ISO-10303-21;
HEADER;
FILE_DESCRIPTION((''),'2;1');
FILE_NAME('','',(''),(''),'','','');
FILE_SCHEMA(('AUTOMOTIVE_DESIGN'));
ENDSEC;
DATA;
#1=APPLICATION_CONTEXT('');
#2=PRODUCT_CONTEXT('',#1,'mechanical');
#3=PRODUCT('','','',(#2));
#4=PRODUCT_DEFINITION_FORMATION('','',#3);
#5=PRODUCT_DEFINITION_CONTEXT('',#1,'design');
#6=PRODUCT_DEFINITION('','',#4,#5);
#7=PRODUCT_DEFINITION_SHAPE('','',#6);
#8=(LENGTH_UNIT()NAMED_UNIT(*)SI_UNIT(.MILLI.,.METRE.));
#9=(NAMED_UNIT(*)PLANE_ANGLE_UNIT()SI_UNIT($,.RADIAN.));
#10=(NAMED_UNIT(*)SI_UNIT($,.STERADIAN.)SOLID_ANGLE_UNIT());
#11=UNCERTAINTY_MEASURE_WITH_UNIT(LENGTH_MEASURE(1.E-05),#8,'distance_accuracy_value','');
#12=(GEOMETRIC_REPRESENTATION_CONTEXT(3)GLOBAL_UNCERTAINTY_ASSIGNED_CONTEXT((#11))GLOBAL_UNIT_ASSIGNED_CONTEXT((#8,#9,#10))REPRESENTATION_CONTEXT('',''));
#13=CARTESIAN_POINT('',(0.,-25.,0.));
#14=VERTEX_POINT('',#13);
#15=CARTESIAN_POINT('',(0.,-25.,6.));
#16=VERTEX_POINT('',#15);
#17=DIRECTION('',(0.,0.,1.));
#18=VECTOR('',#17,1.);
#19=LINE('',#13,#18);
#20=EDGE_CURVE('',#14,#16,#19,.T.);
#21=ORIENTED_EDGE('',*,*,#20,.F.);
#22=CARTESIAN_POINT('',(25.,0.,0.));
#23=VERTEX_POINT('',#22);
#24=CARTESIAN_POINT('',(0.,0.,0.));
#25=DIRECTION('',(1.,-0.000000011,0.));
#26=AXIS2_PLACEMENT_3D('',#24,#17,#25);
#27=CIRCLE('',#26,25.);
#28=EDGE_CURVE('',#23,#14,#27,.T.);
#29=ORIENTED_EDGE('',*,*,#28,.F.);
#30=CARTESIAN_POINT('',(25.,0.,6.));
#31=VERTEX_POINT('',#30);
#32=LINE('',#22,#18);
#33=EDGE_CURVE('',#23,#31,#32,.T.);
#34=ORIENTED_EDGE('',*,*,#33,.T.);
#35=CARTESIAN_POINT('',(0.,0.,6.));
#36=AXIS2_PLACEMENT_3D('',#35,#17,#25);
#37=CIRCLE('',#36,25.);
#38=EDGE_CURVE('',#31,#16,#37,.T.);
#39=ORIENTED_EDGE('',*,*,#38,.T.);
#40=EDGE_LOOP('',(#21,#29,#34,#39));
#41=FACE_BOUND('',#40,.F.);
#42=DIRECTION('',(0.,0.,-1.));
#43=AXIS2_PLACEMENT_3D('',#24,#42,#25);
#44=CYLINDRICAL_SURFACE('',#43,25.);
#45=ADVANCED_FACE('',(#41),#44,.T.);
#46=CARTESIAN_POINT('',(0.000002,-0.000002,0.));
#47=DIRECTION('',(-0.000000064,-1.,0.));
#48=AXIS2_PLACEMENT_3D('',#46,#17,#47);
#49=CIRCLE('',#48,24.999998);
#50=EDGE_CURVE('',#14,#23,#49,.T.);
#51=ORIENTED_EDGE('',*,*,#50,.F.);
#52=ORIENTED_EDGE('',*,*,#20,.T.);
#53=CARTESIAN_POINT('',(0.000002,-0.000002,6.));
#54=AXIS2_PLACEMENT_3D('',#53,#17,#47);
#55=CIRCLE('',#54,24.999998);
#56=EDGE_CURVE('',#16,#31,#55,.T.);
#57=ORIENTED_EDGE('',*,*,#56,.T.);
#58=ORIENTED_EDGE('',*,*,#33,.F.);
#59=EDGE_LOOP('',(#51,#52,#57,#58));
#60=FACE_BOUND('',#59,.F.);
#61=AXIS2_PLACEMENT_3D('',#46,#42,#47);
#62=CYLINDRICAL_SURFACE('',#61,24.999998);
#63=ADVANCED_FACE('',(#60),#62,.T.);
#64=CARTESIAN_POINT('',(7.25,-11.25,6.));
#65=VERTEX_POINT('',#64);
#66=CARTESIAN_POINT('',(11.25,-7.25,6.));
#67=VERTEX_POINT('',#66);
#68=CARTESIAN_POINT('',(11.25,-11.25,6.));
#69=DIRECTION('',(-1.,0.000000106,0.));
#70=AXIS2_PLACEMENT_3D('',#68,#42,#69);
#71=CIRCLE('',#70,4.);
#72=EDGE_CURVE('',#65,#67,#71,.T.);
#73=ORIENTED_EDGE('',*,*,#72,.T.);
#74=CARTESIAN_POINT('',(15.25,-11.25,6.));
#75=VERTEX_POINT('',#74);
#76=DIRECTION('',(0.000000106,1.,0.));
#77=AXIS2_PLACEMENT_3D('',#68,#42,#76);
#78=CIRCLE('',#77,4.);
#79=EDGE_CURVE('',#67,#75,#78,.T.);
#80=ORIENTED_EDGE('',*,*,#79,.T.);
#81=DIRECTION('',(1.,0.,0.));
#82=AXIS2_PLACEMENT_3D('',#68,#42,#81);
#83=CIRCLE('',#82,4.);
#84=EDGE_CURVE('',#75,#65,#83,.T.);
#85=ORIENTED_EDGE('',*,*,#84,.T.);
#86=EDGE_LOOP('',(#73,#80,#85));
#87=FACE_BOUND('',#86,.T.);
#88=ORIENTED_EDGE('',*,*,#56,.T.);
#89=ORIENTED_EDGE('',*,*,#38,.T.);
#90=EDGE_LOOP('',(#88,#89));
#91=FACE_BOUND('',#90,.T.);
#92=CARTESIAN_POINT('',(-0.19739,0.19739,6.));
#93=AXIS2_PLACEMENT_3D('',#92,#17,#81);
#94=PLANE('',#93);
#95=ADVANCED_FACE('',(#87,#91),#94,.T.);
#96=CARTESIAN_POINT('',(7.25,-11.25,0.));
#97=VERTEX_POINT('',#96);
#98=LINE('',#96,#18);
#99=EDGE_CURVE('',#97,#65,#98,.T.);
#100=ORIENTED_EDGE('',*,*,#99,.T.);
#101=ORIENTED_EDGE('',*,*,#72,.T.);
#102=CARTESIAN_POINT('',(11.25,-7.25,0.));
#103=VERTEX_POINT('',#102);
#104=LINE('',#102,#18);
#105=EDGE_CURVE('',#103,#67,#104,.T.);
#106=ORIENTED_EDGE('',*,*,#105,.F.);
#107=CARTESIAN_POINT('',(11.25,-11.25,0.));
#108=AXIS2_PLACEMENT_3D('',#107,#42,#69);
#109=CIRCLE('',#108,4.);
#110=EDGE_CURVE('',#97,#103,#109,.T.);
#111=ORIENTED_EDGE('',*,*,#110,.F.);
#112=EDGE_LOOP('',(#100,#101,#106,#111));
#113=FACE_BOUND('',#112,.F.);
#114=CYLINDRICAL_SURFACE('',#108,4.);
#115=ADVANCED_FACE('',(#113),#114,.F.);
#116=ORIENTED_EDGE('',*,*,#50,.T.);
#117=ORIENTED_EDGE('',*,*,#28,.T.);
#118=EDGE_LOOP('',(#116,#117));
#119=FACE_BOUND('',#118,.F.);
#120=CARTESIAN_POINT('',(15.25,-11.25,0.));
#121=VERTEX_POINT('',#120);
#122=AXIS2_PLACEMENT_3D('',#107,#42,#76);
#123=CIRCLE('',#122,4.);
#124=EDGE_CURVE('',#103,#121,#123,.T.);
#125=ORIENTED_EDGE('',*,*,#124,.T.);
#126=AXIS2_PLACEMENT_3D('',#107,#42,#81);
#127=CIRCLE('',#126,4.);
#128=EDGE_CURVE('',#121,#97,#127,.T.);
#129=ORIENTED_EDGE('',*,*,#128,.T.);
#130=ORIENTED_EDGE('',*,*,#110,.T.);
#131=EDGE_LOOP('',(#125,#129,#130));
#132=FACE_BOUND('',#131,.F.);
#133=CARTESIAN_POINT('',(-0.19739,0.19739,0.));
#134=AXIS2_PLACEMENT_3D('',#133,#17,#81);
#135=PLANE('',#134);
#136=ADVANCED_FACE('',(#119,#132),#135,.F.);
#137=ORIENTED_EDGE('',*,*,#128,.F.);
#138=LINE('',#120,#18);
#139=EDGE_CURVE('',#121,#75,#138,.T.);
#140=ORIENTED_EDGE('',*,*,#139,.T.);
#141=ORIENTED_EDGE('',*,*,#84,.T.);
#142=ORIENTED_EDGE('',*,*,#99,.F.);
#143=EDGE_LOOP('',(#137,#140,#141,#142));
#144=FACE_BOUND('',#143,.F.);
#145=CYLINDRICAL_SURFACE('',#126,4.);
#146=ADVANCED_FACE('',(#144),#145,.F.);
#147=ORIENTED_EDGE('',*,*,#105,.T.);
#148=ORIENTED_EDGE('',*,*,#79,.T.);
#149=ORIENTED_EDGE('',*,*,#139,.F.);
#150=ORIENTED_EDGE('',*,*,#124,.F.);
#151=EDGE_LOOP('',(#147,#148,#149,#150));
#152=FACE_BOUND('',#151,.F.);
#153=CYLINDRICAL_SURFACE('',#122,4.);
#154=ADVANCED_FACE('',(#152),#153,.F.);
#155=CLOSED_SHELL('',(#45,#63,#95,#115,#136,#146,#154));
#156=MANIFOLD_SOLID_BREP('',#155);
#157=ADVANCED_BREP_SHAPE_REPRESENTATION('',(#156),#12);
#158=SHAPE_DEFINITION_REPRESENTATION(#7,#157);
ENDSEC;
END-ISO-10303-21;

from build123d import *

# Parameters (mm, degrees)
F1_DEPTH = 6


with BuildPart() as f1:
    # F0 (on Top) → F1 (new body)
    with BuildSketch(Plane.XY):
        with BuildLine():
            Line((11.25, 0), (25, 0))
            ThreePointArc((25, 0), (-17.67767, 17.67767), (0, -25))
            Line((0, -25), (0, -11.25))
            Line((0, -11.25), (7.25, -11.25))
            ThreePointArc((7.25, -11.25), (8.421573, -8.421573), (11.25, -7.25))
            Line((11.25, -7.25), (11.25, 0))
        make_face()
        with BuildLine():
            ThreePointArc((0, -25), (17.67767, -17.67767), (25, 0))
            Line((25, 0), (11.25, 0))
            Line((11.25, 0), (11.25, -7.25))
            ThreePointArc((11.25, -7.25), (14.078427, -8.421573), (15.25, -11.25))
            ThreePointArc((15.25, -11.25), (11.25, -15.25), (7.25, -11.25))
            Line((7.25, -11.25), (0, -11.25))
            Line((0, -11.25), (0, -25))
        make_face()
    extrude(amount=F1_DEPTH)


solid = f1.part
